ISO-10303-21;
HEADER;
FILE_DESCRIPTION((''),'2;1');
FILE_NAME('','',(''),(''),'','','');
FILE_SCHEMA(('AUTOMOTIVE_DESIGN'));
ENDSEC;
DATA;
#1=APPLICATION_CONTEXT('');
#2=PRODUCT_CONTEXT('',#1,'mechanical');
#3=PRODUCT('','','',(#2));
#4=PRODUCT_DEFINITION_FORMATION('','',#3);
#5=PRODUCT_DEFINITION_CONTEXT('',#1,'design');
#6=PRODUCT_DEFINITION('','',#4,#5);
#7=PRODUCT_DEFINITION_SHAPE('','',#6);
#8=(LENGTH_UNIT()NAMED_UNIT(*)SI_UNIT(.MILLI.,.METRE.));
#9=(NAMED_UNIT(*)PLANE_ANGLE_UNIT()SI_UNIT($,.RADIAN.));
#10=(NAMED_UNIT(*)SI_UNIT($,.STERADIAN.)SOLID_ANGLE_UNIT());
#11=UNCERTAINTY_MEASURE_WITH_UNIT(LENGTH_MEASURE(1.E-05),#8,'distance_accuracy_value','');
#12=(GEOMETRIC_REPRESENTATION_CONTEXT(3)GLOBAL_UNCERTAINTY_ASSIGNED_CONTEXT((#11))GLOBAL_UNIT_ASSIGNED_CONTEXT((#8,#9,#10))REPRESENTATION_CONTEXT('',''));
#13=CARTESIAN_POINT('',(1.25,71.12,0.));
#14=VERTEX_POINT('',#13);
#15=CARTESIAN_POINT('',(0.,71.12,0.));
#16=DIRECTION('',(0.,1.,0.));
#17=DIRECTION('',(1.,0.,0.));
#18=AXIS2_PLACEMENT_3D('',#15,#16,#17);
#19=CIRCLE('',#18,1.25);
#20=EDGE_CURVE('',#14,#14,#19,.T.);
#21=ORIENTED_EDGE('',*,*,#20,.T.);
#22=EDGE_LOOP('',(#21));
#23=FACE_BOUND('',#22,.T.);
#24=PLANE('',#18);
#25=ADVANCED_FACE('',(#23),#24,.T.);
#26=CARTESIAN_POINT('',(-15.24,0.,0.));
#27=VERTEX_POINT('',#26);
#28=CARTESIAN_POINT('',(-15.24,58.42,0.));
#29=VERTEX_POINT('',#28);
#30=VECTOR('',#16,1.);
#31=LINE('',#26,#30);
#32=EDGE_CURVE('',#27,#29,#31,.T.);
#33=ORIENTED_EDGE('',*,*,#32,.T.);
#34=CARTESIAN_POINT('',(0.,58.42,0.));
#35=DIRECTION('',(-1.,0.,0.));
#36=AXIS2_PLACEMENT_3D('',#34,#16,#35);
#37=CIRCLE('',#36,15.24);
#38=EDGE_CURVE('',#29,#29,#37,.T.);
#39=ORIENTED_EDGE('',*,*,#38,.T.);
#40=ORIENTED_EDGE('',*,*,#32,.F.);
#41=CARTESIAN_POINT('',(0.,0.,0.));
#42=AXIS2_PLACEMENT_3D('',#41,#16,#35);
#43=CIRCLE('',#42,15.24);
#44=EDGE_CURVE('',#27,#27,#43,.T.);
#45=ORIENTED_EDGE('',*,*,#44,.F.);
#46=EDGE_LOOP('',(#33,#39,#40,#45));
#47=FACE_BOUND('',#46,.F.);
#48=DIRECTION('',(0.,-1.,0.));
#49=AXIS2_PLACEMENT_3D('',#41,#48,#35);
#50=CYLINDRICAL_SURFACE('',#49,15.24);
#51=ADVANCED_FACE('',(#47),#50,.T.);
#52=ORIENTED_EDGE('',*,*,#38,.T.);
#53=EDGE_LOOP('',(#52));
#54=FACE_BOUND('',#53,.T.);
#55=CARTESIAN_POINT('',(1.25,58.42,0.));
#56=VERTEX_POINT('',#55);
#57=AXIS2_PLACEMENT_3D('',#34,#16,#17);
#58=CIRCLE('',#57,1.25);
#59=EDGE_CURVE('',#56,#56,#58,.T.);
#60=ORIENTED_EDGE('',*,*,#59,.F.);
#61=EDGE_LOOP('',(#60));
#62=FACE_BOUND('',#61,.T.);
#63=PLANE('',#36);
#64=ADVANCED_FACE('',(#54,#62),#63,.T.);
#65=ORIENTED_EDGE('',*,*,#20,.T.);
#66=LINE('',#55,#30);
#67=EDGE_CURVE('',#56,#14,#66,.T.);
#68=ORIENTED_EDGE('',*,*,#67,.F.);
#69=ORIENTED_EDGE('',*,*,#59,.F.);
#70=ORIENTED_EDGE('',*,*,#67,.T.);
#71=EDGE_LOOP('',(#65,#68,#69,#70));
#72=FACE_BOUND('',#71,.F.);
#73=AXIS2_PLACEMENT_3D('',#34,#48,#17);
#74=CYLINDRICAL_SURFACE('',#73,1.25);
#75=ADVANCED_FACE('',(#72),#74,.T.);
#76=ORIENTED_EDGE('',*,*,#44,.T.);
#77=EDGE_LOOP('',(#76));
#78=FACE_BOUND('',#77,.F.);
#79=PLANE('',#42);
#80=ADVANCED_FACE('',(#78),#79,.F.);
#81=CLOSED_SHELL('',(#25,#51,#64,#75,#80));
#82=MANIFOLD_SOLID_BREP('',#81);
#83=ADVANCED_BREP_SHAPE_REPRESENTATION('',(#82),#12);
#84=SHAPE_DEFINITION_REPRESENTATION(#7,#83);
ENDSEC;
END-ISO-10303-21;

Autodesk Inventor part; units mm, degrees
ref_plane "YZ Plane" through (0, 0, 0) normal (1, 0, 0) x (0, 1, 0)
ref_plane "XZ Plane" through (0, 0, 0) normal (0, 1, 0) x (-1, 0, 0)
ref_plane "XY Plane" through (0, 0, 0) normal (0, 0, 1) x (1, 0, 0)
sketch "Sketch1" plane through (0, 0, 0) normal (0, 1, 0) x (-1, 0, 0)
  circle A0 centre (0, 0) radius 15.24
  dimension "d0" = 30.48
extrude "Extrusion1" add sketch "Sketch1" along normal blind 58.42
sketch "Sketch2" plane through (0, 58.42, 0) normal (0, 1, 0) x (1, 0, 0)
  circle A0 centre (0, 0) radius 15.24 projected
  circle A1 centre (0, 0) radius 1.25
  dimension "d3" = 2.5
extrude "Extrusion2" add sketch "Sketch2" along normal blind 12.7 contours A1
properties part number "motorBodyAndShafBuhler01"
